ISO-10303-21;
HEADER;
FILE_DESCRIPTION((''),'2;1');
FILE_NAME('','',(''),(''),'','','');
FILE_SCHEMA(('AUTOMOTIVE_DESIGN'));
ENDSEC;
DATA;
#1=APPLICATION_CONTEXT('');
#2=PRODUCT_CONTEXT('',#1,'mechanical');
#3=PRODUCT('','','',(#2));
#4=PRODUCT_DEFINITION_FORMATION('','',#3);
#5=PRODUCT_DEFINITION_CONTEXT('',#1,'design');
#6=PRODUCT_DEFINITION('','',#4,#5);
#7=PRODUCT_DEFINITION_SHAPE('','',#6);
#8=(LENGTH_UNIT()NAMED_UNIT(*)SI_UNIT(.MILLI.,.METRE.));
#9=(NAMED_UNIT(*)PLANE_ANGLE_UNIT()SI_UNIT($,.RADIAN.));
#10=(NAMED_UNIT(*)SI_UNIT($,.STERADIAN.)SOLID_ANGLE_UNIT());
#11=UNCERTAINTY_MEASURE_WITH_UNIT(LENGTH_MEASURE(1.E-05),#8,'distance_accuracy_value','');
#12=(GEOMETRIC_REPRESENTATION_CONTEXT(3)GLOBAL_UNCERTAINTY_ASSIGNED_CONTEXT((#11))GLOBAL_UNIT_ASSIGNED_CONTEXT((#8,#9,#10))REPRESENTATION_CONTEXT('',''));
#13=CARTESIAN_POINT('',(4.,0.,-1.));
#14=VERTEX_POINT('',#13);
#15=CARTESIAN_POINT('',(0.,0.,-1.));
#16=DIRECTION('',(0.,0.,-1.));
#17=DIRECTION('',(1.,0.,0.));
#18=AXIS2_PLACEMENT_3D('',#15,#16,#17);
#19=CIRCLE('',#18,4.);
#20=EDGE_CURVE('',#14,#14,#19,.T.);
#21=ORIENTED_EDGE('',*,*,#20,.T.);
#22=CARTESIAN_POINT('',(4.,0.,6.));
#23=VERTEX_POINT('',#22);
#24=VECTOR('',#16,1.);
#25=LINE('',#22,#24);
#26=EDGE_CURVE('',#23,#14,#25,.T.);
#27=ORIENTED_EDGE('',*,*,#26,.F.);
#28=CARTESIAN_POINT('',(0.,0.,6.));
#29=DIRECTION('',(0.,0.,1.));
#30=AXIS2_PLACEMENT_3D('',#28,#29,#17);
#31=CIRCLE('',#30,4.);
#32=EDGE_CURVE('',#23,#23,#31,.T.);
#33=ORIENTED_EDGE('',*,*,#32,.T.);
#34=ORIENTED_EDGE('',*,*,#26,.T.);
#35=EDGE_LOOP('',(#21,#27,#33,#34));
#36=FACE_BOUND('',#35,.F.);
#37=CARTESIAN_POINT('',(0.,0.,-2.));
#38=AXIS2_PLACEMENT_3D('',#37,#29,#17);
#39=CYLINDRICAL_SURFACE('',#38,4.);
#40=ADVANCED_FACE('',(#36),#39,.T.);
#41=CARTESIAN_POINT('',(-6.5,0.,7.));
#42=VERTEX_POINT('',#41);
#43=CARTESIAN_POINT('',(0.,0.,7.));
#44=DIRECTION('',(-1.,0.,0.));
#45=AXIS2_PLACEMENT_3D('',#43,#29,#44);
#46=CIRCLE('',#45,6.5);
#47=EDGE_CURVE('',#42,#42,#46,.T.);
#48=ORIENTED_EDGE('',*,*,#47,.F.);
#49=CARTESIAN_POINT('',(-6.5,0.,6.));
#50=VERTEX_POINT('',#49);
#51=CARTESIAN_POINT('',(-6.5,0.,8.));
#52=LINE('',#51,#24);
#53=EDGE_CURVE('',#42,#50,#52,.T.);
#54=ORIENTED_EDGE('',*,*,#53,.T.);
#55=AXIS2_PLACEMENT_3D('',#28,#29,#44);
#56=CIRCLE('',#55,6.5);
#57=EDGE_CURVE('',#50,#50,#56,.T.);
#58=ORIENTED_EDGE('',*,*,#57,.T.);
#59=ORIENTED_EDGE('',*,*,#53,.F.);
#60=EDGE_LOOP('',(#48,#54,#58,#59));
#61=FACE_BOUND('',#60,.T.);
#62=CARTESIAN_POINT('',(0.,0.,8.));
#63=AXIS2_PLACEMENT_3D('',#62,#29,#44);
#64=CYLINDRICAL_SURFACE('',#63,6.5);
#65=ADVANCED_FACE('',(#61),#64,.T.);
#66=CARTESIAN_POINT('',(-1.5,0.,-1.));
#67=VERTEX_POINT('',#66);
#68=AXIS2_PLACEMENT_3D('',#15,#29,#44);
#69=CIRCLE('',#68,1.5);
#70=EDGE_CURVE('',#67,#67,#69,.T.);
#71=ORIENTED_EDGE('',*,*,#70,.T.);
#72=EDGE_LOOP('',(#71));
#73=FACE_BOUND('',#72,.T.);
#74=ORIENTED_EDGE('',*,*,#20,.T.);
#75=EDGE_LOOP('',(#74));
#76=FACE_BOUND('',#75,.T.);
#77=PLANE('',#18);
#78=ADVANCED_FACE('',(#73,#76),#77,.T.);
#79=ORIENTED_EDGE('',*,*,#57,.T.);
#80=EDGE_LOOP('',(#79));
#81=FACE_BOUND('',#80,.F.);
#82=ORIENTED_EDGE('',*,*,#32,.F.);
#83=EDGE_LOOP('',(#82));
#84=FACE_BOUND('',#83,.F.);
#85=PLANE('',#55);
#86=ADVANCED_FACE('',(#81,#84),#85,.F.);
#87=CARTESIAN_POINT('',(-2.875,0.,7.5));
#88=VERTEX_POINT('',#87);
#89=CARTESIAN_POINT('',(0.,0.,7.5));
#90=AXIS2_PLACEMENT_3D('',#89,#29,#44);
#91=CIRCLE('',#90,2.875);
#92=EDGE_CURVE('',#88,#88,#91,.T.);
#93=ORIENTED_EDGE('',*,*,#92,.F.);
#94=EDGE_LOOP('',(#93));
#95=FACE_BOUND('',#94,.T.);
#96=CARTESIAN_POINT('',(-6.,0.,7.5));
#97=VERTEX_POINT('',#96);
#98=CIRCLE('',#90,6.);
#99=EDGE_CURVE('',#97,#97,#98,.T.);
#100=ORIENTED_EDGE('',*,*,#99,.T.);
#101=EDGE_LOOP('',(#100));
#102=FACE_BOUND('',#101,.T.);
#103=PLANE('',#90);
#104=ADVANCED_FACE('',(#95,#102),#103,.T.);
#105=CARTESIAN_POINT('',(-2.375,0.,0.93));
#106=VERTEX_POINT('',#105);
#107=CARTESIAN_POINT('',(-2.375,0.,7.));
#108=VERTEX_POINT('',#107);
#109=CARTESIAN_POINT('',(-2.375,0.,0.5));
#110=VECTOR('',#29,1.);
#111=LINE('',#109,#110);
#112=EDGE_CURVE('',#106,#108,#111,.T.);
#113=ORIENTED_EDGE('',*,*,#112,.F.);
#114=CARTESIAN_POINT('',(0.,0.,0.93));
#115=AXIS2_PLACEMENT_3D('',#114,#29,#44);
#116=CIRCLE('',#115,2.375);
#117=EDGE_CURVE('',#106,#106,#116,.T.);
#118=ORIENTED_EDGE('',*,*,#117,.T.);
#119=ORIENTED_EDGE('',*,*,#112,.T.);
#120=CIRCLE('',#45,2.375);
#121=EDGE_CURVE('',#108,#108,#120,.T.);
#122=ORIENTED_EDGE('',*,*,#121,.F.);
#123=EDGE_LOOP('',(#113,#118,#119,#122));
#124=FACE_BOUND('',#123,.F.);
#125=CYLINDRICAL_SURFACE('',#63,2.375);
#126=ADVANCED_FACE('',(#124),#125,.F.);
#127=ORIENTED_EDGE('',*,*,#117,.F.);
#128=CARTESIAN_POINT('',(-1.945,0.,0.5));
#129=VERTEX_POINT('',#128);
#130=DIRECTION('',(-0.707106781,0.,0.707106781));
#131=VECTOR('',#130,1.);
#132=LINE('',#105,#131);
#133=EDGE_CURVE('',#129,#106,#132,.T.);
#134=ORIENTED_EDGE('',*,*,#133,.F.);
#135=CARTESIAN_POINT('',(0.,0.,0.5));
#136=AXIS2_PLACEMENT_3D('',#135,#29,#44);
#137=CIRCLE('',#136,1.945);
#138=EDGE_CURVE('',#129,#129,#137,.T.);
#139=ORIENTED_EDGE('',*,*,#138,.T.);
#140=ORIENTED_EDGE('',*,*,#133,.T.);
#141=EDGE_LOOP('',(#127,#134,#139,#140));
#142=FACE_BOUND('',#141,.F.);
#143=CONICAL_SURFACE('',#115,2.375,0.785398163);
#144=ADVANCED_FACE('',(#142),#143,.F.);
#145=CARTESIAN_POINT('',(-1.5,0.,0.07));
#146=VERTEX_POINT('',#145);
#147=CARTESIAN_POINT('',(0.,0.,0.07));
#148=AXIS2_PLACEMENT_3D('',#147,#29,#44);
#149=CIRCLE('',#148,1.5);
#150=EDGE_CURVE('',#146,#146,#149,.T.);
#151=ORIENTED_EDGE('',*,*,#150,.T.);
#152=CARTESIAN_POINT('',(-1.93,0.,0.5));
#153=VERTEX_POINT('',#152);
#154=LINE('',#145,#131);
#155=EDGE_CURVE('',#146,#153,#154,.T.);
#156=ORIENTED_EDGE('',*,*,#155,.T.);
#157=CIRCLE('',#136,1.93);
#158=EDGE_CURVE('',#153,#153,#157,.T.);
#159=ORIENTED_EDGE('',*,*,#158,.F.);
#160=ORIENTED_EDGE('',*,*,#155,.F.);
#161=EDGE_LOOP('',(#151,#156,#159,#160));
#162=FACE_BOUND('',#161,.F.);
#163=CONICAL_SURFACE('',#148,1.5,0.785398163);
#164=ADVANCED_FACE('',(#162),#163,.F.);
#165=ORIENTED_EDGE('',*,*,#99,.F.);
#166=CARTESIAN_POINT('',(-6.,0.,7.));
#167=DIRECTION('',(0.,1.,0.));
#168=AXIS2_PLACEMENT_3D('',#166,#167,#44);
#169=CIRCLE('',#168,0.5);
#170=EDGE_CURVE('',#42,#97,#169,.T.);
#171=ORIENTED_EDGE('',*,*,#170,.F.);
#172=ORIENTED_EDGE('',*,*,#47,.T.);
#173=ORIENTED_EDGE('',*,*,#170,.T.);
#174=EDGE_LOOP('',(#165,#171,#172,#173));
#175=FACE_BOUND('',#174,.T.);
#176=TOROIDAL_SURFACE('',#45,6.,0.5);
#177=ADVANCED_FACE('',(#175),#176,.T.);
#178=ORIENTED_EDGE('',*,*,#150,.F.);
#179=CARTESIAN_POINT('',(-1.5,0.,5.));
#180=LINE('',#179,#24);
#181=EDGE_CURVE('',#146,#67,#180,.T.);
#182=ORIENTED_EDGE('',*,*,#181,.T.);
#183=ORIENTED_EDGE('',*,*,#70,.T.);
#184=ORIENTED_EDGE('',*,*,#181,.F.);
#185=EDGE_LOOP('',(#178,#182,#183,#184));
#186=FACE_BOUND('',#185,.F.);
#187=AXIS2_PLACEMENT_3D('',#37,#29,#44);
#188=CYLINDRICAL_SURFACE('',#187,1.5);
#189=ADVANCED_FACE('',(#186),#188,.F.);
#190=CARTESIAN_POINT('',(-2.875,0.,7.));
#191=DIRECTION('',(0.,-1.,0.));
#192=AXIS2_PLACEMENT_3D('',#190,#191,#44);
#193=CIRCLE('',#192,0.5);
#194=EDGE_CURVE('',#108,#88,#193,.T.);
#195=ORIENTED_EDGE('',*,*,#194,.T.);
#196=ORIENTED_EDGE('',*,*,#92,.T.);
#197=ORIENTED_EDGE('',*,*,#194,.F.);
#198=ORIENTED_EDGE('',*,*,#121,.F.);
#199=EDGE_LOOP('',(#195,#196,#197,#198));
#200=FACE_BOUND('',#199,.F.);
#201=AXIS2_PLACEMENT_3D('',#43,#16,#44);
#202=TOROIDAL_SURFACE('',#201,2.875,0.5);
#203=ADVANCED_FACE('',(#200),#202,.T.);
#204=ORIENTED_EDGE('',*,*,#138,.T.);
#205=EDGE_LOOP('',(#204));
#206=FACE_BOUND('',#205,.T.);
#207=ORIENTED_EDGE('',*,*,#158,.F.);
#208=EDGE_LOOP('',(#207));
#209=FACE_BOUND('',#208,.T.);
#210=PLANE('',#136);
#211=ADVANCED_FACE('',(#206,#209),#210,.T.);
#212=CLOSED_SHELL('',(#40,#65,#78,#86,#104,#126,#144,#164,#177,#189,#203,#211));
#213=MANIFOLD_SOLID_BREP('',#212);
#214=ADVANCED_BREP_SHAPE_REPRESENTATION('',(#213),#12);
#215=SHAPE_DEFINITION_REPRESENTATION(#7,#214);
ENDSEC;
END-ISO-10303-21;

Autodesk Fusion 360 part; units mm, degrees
sketch "Sketch1" plane through (0, 0, 0) normal (0, 0, 1) x (1, 0, 0)
  circle A0 centre (0, 0) radius 4
  dimension "d1" = 8
extrude "Extrude1" add sketch "Sketch1" along normal blind 8
sketch "Sketch2" plane through (0, 0, 8) normal (0, 0, 1) x (-1, 0, 0)
  circle A0 centre (0, 0) radius 4
  circle A1 centre (0, 0) radius 2.375
  dimension "d4" = 4.75
extrude "Extrude2" cut sketch "Sketch2" against normal blind 3 contours A1
sketch "Sketch3" plane through (0, 0, 5) normal (0, 0, 1) x (-1, 0, 0)
  circle A0 centre (0, 0) radius 2.375
  circle A1 centre (0, 0) radius 1.5
  dimension "d7" = 3
extrude "Extrude3" cut sketch "Sketch3" against normal blind 9 contours A1
sketch "Sketch4" plane through (0, 0, 8) normal (0, 0, 1) x (-1, 0, 0)
  circle A0 centre (0, 0) radius 2.375
  circle A1 centre (0, 0) radius 4
  circle A2 centre (0, 0) radius 6.5
  dimension "d10" = 13
extrude "Extrude4" add sketch "Sketch4" against normal blind 2 contours A2
extrude "Extrude5" add 1 faces at (3.1462, -0.2732, 0) along direction (0, 0, -1) blind 2
sketch "Sketch5" plane through (0, 0, -2) normal (0, 0, -1) x (1, 0, 0)
  circle A0 centre (0, 0) radius 1.5
  circle A1 centre (0, 0) radius 4
  circle A2 centre (0, 0) radius 3.2
  dimension "d18" = 6.4
extrude "Extrude6" cut sketch "Sketch5" against normal blind 0.5 contours A1
extrude "Extrude7" add 1 faces at (2.6214, 0.159, -2) along direction (0, 0, -1) blind 0.5
extrude "Extrude8" add 1 faces at (3.7184, 0.1987, -1.5) along direction (0, 0, -1) blind 0.5
extrude "Extrude9" cut 1 faces at (-2.0745, 0.118, 5) along direction (0, 0, -1) blind 3
extrude "Extrude10" cut 1 faces at (-2.0745, 0.118, 2) along direction (0, 0, -1) blind 1.5
extrude "Extrude11" add 1 faces at (3.7184, 0.1987, -2) along direction (0, 0, -1) blind 0.5
chamfer "Chamfer3" distance 0.43 angle 45 2 edges at (1.3985, 0.5424, 0.5) (2.2143, -0.8588, 0.5)
extrude "Extrude12" cut 1 faces at (3.1462, 0.2732, -2.5) along direction (0, 0, 1) blind 1.5
extrude "Extrude13" cut 1 faces at (-5.092, 0.4409, 8) along direction (0, 0, -1) blind 0.5
fillet "Fillet2" radius 0.5 2 edges at (2.2143, 0.8588, 7.5) (6.0601, -2.3505, 7.5)
